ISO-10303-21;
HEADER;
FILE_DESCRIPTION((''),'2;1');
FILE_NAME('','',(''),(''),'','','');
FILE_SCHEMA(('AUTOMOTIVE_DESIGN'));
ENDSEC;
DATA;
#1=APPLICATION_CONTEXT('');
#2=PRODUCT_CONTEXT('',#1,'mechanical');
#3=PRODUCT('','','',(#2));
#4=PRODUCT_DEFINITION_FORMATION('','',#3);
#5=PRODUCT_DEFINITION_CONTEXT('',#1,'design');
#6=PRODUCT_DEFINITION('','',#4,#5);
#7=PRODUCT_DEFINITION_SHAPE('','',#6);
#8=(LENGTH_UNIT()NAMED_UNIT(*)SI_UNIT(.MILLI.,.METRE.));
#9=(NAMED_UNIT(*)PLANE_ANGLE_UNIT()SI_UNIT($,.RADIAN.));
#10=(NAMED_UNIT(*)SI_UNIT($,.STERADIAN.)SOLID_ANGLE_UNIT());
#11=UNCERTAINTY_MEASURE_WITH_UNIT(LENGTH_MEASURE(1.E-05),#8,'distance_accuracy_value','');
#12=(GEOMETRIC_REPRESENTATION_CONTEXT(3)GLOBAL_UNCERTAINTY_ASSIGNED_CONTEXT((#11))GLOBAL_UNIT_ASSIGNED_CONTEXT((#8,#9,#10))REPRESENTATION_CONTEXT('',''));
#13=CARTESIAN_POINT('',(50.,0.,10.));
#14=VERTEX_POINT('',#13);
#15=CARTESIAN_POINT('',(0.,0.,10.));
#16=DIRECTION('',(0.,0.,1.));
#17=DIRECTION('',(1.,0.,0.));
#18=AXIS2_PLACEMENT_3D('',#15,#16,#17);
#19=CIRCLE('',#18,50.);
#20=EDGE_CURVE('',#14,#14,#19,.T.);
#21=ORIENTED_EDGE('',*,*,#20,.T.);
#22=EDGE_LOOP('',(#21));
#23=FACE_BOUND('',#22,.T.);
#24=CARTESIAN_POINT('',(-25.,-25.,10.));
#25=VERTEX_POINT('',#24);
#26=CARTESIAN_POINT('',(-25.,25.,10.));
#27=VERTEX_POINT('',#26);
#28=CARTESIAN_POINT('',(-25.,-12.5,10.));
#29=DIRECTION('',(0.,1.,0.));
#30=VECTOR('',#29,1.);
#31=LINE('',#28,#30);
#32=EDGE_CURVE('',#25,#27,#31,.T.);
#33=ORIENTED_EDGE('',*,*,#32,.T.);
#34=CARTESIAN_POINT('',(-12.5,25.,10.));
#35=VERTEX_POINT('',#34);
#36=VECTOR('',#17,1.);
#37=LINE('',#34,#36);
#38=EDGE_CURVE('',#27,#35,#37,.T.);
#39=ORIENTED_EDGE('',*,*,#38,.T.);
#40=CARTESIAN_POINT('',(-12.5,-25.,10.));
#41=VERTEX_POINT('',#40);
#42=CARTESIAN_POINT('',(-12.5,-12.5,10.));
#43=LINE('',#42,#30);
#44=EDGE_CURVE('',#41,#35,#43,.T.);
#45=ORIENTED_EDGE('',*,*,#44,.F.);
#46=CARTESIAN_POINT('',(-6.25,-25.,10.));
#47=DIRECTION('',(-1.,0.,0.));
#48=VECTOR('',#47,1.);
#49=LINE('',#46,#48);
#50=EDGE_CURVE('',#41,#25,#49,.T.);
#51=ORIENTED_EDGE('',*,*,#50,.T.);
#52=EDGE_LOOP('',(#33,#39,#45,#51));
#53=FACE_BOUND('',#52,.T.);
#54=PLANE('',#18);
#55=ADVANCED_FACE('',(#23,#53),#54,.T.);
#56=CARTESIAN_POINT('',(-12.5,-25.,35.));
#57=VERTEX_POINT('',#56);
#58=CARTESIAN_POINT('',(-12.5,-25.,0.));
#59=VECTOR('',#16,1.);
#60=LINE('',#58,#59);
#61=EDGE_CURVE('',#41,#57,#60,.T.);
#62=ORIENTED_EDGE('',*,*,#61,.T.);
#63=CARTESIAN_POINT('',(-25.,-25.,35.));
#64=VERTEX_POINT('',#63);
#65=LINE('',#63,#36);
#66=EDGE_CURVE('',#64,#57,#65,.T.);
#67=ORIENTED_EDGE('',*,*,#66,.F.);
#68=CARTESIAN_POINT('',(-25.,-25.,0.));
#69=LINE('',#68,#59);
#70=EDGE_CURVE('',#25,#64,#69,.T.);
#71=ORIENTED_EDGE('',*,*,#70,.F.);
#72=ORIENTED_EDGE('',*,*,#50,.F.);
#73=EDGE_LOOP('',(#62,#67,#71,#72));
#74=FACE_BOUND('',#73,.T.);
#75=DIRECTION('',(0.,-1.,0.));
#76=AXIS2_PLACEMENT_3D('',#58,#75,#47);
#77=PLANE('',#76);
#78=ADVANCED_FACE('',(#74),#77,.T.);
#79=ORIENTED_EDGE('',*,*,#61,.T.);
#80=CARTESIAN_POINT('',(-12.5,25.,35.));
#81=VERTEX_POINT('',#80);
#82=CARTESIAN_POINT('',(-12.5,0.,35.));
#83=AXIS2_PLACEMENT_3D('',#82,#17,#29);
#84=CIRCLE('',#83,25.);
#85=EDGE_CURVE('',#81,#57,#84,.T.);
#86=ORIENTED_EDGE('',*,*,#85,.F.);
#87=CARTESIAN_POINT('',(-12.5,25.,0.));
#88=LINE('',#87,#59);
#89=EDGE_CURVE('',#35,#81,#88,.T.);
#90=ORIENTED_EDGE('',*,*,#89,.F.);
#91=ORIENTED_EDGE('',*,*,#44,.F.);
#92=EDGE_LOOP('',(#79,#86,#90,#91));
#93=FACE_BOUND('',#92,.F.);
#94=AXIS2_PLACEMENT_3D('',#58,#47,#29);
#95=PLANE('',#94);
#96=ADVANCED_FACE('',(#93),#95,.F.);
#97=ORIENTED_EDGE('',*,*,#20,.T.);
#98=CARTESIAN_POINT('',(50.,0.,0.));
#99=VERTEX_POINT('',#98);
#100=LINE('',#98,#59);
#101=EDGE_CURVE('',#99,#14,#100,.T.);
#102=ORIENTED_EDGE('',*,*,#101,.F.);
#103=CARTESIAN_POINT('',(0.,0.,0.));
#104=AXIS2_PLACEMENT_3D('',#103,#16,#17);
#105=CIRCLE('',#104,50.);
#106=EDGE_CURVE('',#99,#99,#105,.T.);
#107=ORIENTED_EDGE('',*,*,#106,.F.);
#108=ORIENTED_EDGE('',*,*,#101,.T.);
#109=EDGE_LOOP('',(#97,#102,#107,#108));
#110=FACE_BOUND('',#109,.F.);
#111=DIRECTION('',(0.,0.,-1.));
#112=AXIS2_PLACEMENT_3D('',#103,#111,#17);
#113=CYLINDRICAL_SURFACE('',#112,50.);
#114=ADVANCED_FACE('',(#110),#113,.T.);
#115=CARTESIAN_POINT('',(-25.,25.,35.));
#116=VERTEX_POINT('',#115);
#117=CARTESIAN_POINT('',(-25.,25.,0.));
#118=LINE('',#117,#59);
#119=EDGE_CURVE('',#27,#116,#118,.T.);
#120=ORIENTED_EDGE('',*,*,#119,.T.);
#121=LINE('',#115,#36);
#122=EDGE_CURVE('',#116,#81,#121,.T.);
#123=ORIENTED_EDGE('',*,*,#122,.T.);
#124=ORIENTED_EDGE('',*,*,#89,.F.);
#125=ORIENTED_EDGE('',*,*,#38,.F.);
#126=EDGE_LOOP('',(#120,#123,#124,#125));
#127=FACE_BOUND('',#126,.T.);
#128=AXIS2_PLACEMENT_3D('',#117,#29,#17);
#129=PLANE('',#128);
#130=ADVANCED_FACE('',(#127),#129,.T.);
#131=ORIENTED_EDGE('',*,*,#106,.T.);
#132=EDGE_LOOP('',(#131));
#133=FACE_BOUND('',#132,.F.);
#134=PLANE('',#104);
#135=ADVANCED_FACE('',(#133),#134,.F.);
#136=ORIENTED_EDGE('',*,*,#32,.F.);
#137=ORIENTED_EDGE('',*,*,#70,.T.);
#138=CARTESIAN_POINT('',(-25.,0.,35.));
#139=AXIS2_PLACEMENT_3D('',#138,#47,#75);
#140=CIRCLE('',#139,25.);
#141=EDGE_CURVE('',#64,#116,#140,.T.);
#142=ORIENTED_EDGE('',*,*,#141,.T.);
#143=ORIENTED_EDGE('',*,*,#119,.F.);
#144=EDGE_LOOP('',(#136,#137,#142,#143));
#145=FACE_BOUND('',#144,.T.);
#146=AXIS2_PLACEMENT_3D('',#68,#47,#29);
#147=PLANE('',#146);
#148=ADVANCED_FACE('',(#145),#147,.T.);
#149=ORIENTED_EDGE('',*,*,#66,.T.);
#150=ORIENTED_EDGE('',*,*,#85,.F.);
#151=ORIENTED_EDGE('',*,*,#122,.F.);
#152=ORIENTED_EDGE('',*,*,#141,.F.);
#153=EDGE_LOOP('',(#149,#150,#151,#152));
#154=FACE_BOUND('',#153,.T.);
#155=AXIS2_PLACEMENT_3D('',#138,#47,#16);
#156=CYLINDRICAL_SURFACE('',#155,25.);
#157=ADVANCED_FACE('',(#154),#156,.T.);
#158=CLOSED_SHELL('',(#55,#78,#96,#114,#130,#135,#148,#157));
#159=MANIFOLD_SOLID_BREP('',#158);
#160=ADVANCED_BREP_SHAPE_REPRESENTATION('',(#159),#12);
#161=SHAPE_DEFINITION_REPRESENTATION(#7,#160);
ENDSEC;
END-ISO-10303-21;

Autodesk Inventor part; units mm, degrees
ref_plane "YZ Plane" through (0, 0, 0) normal (1, 0, 0) x (0, 1, 0)
ref_plane "XZ Plane" through (0, 0, 0) normal (0, 1, 0) x (-1, 0, 0)
ref_plane "XY Plane" through (0, 0, 0) normal (0, 0, 1) x (1, 0, 0)
sketch "Szkic1" plane through (0, 0, 0) normal (0, 0, 1) x (1, 0, 0)
  circle A0 centre (0, 0) radius 50
  line L0 (-25, 25) -> (-12.5, 25)
  line L1 (-12.5, -25) -> (-25, -25)
  line L2 (-25, -25) -> (-25, 25)
  line L3 (-12.5, -25) -> (-12.5, 25)
  point P0 (-12.5, 0)
  point P1 (-18.75, 25)
  dimension "d0" = 100
  dimension "d10" = 12.5
  dimension "d11" = 12.5
  dimension "d12" = 50
  dimension "d13" = 25
extrude "Wyciągnięcie proste1" add sketch "Szkic1" along normal blind 60 contours L0 L3 L1 L2
extrude "Wyciągnięcie proste2" add sketch "Szkic1" along normal blind 10 contours A0 | L0 L3 L1 L2
sketch "Szkic2" plane through (-25, -25, 60) normal (-1, 0, 0) x (0, 0, 1)
  line L0 (-50, 50) -> (-50, 0) projected
  line L1 (-50, 0) -> (0, 0) projected
  line L2 (0, 50) -> (0, 0) projected
  line L3 (-50, 50) -> (0, 50) projected
  circle A0 centre (-25, 25) radius 25
  line L4 (-50, 50) -> (0, 50) projected
  line L5 (0, 50) -> (0, 0) projected
  line L6 (-25, 50) -> (0, 50)
  line L7 (0, 25) -> (0, 0)
  point P0 (-60, 25)
  point P1 (-25, 50)
  point P2 (0, 25)
  point P3 (-25, 0)
  dimension "d7" = 50
extrude "Wyciągnięcie proste3" cut sketch "Szkic2" against normal through all contours L3 L2 A0 | A0 L2 L1
properties part number "podstawa"
